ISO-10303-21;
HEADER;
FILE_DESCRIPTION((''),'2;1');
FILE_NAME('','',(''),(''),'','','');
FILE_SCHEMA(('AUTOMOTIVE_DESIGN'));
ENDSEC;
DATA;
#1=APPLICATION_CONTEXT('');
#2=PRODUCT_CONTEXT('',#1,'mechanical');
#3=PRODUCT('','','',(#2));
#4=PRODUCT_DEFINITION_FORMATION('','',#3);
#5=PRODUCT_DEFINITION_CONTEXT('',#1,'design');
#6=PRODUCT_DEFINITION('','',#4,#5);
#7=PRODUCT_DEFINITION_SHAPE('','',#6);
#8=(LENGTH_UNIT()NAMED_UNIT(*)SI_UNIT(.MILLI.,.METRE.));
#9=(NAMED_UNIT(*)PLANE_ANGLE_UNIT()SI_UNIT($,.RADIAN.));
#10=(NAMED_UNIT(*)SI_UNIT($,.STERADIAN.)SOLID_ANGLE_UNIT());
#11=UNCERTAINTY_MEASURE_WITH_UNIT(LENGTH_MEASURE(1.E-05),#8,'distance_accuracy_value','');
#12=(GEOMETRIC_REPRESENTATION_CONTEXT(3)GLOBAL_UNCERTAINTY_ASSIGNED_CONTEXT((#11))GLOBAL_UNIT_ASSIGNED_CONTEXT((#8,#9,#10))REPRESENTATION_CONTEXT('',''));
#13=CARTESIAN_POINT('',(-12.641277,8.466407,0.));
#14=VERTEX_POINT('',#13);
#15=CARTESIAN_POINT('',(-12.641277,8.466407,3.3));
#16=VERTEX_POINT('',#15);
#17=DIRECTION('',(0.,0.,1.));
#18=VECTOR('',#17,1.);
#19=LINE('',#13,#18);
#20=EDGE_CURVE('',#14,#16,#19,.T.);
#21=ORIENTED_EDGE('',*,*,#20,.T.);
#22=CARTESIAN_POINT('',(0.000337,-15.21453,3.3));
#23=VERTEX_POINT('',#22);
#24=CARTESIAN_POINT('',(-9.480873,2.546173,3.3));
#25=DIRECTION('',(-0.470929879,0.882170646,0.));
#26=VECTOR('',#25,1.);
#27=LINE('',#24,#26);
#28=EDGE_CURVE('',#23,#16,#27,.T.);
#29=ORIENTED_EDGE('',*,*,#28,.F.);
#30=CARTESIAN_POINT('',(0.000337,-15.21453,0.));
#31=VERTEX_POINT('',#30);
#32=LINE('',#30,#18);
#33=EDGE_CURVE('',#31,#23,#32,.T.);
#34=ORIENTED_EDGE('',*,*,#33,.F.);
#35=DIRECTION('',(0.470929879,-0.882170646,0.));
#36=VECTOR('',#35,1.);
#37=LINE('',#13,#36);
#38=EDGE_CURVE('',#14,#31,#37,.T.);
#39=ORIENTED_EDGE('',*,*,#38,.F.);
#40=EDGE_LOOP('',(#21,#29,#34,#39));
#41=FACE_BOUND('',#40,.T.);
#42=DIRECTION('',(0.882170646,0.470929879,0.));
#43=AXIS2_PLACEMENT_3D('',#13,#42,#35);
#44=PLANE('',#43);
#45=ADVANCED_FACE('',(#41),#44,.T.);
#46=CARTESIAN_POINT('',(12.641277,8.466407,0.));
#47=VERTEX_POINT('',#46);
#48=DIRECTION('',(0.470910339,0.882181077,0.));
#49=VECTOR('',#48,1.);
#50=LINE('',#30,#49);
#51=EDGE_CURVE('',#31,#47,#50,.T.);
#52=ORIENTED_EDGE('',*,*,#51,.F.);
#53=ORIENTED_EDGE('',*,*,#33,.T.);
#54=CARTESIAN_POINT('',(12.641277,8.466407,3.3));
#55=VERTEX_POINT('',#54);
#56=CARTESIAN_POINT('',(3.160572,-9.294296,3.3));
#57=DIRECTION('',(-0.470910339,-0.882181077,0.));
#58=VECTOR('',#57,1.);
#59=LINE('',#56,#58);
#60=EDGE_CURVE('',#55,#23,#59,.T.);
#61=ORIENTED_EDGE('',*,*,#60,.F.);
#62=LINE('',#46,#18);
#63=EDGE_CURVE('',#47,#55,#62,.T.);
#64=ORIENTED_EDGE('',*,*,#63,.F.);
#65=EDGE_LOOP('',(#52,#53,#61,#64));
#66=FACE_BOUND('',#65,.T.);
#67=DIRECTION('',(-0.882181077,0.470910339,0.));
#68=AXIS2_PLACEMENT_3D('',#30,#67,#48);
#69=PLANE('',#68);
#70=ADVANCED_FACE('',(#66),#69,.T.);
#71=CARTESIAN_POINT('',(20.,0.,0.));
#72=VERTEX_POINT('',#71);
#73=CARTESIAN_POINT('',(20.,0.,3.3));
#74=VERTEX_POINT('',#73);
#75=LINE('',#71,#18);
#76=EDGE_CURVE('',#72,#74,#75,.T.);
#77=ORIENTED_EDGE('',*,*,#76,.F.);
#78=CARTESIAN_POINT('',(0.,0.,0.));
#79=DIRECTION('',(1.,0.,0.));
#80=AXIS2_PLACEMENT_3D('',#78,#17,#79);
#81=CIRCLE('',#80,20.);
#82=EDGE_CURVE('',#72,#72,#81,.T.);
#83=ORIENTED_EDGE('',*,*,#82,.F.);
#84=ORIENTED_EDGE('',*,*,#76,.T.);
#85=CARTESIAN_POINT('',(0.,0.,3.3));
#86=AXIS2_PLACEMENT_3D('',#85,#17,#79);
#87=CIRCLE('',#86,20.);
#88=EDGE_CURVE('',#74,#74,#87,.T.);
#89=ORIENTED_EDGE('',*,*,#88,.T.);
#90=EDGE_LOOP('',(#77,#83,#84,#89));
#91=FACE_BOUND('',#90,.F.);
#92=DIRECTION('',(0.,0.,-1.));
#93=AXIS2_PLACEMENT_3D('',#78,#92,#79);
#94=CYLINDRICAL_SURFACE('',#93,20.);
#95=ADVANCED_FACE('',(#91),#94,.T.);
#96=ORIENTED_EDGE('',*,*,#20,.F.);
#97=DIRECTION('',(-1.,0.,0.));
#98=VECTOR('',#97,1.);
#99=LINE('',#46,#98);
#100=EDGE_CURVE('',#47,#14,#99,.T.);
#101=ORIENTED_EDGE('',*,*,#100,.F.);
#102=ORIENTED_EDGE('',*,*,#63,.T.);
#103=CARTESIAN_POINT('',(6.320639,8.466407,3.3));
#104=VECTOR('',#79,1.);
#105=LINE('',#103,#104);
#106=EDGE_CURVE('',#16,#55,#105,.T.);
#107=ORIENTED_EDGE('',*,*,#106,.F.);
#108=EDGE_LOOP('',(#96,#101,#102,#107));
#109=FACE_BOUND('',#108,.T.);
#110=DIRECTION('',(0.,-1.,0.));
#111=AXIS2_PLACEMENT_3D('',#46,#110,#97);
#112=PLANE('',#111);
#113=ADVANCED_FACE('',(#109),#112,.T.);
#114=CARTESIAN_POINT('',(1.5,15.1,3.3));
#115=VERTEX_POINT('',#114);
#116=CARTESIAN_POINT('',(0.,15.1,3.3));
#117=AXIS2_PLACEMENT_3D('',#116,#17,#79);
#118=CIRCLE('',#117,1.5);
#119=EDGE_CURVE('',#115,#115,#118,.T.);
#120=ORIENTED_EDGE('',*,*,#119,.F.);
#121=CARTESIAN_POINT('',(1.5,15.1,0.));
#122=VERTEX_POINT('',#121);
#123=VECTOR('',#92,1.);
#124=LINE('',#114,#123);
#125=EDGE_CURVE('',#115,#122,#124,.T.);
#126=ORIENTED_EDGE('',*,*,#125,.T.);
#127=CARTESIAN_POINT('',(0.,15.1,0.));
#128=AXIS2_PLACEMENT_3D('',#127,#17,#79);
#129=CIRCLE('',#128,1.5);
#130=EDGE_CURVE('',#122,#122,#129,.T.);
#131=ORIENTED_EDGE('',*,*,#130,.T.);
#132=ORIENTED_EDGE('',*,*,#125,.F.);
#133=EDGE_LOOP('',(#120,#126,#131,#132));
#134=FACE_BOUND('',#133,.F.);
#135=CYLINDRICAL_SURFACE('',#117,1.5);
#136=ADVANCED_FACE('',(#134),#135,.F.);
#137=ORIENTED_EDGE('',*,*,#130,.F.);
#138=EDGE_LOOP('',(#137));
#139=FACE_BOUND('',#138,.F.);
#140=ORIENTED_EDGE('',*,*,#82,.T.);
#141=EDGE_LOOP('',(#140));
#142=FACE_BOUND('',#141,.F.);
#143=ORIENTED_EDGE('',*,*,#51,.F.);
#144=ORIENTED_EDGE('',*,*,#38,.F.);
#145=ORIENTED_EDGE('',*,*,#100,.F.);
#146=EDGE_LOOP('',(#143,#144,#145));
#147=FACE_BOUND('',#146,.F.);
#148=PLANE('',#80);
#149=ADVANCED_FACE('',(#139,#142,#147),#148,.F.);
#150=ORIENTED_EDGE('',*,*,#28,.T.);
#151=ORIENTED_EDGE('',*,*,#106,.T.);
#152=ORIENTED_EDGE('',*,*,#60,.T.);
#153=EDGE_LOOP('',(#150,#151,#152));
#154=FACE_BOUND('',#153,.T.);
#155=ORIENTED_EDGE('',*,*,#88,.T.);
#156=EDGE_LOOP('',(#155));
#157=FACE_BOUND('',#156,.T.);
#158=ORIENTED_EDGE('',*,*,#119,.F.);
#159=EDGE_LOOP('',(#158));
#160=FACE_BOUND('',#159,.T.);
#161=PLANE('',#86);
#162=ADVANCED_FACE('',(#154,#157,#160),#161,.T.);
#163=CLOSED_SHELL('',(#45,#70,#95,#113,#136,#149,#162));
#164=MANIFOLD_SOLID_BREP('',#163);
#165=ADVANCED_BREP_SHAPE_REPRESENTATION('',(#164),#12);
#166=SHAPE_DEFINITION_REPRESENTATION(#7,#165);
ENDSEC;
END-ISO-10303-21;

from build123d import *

# Parameters (mm, degrees)
CYLINDER_R      = 20
CYLINDER_DEPTH  = 3.3
SKETCH_R        = 1.5
POCKET_DEPTH    = 3.301
POCKET001_DEPTH = 3.301


with BuildPart() as part:
    # Cylinder → Cylinder (new body)
    with BuildSketch(Plane.XY):
        Circle(CYLINDER_R)
    extrude(amount=CYLINDER_DEPTH)

    # Sketch → Pocket (cut, through all)
    with BuildSketch(Plane.XY.offset(3.3)):
        with Locations((0, 15.1)):
            Circle(SKETCH_R)
    extrude(amount=-POCKET_DEPTH, mode=Mode.SUBTRACT)

    # Sketch001 → Pocket001 (cut, through all)
    with BuildSketch(Plane(origin=(0, 0, 0), x_dir=(1, 0, 0), z_dir=(0, 0, -1))):
        Polygon((12.641277, -8.466407), (-12.641277, -8.466407), (0.000337, 15.21453), align=None)
    extrude(amount=-POCKET001_DEPTH, mode=Mode.SUBTRACT)


solid = part.part
